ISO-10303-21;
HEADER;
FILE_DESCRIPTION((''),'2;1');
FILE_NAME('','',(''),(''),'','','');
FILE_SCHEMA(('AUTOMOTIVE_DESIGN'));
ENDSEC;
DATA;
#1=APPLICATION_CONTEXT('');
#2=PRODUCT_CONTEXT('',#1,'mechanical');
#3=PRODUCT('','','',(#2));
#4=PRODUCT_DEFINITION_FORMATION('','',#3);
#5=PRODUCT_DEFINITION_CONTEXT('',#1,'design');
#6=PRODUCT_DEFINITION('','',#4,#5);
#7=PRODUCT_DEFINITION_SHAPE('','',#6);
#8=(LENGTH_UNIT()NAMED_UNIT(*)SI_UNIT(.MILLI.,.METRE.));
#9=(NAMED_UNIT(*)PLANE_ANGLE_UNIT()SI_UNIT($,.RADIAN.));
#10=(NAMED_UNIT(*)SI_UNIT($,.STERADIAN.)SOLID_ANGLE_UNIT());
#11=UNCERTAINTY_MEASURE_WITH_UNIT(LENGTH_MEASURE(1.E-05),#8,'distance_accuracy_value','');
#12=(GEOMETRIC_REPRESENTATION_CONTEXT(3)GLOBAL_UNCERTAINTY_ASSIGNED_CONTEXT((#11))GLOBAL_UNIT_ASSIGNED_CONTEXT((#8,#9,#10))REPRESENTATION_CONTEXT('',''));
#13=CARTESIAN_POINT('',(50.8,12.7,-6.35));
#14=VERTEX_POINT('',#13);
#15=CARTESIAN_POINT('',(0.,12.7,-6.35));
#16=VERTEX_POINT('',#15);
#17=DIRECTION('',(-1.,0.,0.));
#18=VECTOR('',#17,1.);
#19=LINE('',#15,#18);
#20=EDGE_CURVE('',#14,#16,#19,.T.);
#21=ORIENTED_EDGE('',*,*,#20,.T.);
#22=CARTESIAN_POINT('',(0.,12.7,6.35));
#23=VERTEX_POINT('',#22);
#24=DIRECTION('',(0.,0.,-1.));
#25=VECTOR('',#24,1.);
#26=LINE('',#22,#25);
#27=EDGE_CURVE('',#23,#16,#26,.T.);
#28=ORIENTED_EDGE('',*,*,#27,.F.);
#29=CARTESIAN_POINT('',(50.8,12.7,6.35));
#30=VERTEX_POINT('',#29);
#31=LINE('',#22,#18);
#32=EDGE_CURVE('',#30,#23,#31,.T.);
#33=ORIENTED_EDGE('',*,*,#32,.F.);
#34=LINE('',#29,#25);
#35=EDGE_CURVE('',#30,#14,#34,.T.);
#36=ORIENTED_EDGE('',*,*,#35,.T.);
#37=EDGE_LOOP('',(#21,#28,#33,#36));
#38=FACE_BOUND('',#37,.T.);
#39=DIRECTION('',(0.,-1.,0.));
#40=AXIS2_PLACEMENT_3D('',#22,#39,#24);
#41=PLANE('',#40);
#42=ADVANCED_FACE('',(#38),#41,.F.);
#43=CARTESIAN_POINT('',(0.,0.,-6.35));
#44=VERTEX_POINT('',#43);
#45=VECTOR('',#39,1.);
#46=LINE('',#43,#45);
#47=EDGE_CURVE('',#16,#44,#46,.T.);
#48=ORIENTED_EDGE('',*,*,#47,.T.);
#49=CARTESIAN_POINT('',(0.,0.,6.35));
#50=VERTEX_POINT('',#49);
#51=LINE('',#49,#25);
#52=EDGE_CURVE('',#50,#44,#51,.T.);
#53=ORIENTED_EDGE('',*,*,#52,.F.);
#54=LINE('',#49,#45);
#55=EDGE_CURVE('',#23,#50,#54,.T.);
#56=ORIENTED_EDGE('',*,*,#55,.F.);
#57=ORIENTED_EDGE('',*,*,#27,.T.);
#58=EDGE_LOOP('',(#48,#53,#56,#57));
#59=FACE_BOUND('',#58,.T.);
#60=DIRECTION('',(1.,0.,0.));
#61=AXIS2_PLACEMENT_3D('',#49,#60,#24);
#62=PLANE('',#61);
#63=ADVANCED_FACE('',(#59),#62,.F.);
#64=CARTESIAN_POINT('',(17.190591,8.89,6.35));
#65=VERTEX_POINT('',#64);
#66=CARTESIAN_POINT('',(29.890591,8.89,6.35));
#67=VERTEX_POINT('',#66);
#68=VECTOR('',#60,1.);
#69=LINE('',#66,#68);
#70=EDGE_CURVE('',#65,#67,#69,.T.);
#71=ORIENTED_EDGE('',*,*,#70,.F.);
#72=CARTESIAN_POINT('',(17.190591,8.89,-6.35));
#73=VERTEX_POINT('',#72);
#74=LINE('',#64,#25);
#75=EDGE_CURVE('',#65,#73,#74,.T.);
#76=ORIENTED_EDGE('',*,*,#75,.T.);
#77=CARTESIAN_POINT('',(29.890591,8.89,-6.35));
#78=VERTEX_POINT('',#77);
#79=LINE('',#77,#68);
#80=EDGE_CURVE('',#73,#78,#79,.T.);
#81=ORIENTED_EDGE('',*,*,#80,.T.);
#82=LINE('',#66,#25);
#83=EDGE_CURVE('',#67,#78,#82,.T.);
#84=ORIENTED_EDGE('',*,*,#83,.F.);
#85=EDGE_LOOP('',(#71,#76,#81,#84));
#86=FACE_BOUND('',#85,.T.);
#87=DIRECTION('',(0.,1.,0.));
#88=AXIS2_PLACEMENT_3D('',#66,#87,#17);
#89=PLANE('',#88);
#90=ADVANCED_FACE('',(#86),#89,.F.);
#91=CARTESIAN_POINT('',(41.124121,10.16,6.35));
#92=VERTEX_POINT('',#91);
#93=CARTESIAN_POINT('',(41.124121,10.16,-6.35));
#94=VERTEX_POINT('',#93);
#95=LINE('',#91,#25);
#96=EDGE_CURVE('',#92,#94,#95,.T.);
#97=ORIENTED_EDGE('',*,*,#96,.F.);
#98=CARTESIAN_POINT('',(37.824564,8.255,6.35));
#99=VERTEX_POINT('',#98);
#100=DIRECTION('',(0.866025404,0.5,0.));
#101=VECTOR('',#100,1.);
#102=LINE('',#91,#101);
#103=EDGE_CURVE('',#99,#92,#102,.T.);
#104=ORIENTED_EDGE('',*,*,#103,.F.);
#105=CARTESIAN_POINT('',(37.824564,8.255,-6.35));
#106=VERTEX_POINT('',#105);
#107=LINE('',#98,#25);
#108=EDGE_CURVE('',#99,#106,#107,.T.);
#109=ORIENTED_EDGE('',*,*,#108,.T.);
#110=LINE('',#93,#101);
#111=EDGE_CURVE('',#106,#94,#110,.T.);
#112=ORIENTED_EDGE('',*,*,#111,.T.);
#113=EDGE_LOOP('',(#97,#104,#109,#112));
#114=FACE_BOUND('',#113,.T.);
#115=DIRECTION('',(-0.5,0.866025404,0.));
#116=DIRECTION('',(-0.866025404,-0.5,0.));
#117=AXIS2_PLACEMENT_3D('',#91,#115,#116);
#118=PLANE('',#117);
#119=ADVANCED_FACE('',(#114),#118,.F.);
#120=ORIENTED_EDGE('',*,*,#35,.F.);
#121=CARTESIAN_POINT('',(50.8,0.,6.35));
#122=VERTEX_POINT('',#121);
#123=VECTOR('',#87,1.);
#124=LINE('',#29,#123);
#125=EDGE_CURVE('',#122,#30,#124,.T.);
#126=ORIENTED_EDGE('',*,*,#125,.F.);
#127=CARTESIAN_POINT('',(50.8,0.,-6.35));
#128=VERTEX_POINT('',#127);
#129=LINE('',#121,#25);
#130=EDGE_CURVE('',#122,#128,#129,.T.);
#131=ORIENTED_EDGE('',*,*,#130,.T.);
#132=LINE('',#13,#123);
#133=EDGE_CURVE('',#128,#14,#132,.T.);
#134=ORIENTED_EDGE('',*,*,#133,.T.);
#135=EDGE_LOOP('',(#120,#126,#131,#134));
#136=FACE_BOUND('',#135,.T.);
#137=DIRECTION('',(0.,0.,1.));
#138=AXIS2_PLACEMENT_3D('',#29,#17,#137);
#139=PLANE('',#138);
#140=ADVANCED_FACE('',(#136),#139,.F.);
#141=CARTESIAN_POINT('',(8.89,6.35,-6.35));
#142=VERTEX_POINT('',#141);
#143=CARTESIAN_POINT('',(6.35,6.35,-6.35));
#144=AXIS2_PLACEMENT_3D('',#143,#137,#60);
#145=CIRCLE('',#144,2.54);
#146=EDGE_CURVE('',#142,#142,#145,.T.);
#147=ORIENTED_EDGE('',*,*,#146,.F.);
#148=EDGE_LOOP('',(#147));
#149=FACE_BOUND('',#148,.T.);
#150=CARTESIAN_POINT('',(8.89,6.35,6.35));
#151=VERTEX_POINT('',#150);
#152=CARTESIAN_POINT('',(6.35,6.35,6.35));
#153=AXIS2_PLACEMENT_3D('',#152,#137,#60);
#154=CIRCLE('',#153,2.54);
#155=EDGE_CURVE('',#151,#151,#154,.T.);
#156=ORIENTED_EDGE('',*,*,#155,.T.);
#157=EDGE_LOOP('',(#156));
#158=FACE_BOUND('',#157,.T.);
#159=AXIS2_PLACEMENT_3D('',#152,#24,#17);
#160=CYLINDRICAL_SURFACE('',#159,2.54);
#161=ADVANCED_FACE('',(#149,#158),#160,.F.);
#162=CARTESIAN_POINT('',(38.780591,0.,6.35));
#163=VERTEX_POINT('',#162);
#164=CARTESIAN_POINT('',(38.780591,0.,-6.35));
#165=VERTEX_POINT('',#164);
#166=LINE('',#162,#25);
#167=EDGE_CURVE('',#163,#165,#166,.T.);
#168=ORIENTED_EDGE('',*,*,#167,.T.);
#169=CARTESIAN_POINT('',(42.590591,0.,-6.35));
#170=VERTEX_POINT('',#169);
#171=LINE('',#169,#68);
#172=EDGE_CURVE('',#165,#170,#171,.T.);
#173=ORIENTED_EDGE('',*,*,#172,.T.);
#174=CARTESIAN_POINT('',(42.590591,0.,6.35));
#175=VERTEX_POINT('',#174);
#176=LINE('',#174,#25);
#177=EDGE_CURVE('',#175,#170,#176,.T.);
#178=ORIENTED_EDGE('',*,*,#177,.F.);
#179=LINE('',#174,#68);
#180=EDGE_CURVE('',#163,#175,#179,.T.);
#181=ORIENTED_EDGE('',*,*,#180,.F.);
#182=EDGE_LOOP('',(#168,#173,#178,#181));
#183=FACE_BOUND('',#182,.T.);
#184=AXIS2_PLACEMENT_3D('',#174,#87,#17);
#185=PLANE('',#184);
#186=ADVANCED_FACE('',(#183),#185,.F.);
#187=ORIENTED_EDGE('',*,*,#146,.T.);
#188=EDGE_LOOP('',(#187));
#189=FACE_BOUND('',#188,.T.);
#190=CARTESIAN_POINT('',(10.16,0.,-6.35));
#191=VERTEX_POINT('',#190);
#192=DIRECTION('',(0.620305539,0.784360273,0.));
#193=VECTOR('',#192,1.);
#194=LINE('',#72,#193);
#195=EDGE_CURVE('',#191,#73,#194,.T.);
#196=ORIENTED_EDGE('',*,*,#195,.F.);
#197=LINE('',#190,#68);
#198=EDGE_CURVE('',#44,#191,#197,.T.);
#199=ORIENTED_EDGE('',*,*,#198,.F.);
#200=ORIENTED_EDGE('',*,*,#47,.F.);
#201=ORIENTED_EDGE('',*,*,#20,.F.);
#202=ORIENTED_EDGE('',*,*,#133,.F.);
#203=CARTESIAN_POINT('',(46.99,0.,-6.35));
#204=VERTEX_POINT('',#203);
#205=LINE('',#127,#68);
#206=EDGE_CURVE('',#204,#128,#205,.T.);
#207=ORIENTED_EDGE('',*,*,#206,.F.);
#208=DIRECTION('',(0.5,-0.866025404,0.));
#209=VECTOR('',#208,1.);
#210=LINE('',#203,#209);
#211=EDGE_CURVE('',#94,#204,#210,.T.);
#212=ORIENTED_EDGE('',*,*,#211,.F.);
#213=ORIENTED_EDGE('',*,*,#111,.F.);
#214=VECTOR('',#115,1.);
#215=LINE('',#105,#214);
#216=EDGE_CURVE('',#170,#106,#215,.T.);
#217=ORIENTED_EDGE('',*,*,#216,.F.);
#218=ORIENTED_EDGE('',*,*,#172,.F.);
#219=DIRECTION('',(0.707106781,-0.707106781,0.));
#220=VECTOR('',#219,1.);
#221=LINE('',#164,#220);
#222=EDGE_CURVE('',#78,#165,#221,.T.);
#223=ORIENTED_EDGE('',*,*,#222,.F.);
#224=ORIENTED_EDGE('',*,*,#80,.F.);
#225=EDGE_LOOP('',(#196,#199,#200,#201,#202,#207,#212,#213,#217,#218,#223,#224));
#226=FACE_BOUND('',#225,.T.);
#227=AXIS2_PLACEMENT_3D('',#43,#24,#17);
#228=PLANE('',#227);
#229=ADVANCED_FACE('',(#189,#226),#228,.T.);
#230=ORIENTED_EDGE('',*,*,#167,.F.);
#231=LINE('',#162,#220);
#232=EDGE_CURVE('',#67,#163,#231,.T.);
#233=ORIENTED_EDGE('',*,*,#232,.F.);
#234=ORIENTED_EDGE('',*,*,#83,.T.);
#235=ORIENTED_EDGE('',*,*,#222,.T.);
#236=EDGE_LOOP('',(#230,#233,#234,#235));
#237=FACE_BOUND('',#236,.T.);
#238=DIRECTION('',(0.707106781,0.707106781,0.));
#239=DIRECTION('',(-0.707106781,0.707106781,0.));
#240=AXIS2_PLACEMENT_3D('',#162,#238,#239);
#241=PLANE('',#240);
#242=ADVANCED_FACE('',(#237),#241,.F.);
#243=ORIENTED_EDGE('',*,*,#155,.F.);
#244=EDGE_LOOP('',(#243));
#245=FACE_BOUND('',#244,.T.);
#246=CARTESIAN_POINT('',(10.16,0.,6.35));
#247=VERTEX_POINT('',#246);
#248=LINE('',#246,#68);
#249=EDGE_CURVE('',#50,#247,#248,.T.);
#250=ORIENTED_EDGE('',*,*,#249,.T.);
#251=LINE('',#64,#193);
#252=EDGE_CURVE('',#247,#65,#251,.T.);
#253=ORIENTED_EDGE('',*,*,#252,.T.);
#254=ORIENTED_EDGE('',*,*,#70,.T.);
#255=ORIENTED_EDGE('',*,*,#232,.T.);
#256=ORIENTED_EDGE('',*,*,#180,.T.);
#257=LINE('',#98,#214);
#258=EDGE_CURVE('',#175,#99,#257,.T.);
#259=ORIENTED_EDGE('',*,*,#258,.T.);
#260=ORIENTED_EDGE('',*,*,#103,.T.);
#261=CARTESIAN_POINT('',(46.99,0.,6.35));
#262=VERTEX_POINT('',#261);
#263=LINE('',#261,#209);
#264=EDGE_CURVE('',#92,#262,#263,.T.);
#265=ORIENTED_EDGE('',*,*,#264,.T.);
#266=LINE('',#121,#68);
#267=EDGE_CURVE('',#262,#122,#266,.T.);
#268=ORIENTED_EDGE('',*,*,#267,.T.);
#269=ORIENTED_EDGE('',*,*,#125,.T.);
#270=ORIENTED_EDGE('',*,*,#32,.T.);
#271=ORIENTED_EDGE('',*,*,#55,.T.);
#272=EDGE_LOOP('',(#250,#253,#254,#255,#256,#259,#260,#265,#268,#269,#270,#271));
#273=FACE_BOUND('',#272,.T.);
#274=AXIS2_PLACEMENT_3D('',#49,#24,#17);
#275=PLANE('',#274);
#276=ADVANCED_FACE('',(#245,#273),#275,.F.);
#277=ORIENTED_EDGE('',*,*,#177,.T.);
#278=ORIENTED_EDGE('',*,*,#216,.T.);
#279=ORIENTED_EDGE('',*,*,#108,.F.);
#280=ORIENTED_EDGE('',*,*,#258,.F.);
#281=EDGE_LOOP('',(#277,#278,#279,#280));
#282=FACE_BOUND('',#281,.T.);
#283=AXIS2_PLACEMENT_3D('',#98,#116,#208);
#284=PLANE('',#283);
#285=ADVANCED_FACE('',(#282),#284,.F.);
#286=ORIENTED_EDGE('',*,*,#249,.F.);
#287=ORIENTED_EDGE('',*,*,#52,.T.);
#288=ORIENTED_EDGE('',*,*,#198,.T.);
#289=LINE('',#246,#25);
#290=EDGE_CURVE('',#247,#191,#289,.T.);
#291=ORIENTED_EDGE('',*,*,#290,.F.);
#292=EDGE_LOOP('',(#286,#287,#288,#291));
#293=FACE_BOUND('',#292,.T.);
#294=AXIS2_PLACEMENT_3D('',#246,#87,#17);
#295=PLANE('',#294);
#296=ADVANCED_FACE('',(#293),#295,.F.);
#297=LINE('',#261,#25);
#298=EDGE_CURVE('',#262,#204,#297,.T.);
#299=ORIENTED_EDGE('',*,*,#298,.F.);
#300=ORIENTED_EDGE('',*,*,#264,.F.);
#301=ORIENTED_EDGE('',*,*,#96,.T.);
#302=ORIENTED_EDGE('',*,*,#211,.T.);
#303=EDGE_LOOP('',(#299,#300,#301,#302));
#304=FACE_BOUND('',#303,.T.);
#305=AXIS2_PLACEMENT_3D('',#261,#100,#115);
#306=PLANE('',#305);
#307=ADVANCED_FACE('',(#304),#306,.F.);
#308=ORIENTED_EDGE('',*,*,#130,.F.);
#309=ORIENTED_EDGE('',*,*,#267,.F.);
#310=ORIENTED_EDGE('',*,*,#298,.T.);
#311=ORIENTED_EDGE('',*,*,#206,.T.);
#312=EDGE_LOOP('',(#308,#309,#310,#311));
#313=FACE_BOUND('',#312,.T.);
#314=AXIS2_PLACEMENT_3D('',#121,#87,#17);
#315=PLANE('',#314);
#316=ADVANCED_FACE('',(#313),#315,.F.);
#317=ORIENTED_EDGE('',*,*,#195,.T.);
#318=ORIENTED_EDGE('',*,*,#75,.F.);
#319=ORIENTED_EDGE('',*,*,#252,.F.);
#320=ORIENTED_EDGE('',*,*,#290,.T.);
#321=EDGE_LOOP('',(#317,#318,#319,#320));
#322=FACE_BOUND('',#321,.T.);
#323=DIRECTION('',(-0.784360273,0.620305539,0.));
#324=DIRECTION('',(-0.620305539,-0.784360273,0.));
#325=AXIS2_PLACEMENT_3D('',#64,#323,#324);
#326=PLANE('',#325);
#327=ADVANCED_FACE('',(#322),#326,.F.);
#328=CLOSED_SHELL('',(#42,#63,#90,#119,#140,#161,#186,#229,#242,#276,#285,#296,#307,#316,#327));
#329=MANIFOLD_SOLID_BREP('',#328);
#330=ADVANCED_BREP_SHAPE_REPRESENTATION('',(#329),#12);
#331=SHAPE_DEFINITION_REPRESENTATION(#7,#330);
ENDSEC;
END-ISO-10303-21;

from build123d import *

# Parameters (mm, degrees)
SKETCH2_R           = 2.54
BOSS_EXTRUDE1_DEPTH = 6.35


with BuildPart() as part:
    # Sketch2 → Boss-Extrude1 (new, symmetric)
    with BuildSketch(Plane.XY):
        Polygon((0, 0), (0, 12.7), (50.8, 12.7), (50.8, 0), (46.99, 0), (41.124121265, 10.16), (37.824564477, 8.255), (42.590590949, 0), (38.780590949, 0), (29.890590949, 8.89), (17.190590949, 8.89), (10.16, 0), align=None)
        with Locations((6.35, 6.35)):
            Circle(SKETCH2_R, mode=Mode.SUBTRACT)
    extrude(amount=BOSS_EXTRUDE1_DEPTH, both=True)


solid = part.part
